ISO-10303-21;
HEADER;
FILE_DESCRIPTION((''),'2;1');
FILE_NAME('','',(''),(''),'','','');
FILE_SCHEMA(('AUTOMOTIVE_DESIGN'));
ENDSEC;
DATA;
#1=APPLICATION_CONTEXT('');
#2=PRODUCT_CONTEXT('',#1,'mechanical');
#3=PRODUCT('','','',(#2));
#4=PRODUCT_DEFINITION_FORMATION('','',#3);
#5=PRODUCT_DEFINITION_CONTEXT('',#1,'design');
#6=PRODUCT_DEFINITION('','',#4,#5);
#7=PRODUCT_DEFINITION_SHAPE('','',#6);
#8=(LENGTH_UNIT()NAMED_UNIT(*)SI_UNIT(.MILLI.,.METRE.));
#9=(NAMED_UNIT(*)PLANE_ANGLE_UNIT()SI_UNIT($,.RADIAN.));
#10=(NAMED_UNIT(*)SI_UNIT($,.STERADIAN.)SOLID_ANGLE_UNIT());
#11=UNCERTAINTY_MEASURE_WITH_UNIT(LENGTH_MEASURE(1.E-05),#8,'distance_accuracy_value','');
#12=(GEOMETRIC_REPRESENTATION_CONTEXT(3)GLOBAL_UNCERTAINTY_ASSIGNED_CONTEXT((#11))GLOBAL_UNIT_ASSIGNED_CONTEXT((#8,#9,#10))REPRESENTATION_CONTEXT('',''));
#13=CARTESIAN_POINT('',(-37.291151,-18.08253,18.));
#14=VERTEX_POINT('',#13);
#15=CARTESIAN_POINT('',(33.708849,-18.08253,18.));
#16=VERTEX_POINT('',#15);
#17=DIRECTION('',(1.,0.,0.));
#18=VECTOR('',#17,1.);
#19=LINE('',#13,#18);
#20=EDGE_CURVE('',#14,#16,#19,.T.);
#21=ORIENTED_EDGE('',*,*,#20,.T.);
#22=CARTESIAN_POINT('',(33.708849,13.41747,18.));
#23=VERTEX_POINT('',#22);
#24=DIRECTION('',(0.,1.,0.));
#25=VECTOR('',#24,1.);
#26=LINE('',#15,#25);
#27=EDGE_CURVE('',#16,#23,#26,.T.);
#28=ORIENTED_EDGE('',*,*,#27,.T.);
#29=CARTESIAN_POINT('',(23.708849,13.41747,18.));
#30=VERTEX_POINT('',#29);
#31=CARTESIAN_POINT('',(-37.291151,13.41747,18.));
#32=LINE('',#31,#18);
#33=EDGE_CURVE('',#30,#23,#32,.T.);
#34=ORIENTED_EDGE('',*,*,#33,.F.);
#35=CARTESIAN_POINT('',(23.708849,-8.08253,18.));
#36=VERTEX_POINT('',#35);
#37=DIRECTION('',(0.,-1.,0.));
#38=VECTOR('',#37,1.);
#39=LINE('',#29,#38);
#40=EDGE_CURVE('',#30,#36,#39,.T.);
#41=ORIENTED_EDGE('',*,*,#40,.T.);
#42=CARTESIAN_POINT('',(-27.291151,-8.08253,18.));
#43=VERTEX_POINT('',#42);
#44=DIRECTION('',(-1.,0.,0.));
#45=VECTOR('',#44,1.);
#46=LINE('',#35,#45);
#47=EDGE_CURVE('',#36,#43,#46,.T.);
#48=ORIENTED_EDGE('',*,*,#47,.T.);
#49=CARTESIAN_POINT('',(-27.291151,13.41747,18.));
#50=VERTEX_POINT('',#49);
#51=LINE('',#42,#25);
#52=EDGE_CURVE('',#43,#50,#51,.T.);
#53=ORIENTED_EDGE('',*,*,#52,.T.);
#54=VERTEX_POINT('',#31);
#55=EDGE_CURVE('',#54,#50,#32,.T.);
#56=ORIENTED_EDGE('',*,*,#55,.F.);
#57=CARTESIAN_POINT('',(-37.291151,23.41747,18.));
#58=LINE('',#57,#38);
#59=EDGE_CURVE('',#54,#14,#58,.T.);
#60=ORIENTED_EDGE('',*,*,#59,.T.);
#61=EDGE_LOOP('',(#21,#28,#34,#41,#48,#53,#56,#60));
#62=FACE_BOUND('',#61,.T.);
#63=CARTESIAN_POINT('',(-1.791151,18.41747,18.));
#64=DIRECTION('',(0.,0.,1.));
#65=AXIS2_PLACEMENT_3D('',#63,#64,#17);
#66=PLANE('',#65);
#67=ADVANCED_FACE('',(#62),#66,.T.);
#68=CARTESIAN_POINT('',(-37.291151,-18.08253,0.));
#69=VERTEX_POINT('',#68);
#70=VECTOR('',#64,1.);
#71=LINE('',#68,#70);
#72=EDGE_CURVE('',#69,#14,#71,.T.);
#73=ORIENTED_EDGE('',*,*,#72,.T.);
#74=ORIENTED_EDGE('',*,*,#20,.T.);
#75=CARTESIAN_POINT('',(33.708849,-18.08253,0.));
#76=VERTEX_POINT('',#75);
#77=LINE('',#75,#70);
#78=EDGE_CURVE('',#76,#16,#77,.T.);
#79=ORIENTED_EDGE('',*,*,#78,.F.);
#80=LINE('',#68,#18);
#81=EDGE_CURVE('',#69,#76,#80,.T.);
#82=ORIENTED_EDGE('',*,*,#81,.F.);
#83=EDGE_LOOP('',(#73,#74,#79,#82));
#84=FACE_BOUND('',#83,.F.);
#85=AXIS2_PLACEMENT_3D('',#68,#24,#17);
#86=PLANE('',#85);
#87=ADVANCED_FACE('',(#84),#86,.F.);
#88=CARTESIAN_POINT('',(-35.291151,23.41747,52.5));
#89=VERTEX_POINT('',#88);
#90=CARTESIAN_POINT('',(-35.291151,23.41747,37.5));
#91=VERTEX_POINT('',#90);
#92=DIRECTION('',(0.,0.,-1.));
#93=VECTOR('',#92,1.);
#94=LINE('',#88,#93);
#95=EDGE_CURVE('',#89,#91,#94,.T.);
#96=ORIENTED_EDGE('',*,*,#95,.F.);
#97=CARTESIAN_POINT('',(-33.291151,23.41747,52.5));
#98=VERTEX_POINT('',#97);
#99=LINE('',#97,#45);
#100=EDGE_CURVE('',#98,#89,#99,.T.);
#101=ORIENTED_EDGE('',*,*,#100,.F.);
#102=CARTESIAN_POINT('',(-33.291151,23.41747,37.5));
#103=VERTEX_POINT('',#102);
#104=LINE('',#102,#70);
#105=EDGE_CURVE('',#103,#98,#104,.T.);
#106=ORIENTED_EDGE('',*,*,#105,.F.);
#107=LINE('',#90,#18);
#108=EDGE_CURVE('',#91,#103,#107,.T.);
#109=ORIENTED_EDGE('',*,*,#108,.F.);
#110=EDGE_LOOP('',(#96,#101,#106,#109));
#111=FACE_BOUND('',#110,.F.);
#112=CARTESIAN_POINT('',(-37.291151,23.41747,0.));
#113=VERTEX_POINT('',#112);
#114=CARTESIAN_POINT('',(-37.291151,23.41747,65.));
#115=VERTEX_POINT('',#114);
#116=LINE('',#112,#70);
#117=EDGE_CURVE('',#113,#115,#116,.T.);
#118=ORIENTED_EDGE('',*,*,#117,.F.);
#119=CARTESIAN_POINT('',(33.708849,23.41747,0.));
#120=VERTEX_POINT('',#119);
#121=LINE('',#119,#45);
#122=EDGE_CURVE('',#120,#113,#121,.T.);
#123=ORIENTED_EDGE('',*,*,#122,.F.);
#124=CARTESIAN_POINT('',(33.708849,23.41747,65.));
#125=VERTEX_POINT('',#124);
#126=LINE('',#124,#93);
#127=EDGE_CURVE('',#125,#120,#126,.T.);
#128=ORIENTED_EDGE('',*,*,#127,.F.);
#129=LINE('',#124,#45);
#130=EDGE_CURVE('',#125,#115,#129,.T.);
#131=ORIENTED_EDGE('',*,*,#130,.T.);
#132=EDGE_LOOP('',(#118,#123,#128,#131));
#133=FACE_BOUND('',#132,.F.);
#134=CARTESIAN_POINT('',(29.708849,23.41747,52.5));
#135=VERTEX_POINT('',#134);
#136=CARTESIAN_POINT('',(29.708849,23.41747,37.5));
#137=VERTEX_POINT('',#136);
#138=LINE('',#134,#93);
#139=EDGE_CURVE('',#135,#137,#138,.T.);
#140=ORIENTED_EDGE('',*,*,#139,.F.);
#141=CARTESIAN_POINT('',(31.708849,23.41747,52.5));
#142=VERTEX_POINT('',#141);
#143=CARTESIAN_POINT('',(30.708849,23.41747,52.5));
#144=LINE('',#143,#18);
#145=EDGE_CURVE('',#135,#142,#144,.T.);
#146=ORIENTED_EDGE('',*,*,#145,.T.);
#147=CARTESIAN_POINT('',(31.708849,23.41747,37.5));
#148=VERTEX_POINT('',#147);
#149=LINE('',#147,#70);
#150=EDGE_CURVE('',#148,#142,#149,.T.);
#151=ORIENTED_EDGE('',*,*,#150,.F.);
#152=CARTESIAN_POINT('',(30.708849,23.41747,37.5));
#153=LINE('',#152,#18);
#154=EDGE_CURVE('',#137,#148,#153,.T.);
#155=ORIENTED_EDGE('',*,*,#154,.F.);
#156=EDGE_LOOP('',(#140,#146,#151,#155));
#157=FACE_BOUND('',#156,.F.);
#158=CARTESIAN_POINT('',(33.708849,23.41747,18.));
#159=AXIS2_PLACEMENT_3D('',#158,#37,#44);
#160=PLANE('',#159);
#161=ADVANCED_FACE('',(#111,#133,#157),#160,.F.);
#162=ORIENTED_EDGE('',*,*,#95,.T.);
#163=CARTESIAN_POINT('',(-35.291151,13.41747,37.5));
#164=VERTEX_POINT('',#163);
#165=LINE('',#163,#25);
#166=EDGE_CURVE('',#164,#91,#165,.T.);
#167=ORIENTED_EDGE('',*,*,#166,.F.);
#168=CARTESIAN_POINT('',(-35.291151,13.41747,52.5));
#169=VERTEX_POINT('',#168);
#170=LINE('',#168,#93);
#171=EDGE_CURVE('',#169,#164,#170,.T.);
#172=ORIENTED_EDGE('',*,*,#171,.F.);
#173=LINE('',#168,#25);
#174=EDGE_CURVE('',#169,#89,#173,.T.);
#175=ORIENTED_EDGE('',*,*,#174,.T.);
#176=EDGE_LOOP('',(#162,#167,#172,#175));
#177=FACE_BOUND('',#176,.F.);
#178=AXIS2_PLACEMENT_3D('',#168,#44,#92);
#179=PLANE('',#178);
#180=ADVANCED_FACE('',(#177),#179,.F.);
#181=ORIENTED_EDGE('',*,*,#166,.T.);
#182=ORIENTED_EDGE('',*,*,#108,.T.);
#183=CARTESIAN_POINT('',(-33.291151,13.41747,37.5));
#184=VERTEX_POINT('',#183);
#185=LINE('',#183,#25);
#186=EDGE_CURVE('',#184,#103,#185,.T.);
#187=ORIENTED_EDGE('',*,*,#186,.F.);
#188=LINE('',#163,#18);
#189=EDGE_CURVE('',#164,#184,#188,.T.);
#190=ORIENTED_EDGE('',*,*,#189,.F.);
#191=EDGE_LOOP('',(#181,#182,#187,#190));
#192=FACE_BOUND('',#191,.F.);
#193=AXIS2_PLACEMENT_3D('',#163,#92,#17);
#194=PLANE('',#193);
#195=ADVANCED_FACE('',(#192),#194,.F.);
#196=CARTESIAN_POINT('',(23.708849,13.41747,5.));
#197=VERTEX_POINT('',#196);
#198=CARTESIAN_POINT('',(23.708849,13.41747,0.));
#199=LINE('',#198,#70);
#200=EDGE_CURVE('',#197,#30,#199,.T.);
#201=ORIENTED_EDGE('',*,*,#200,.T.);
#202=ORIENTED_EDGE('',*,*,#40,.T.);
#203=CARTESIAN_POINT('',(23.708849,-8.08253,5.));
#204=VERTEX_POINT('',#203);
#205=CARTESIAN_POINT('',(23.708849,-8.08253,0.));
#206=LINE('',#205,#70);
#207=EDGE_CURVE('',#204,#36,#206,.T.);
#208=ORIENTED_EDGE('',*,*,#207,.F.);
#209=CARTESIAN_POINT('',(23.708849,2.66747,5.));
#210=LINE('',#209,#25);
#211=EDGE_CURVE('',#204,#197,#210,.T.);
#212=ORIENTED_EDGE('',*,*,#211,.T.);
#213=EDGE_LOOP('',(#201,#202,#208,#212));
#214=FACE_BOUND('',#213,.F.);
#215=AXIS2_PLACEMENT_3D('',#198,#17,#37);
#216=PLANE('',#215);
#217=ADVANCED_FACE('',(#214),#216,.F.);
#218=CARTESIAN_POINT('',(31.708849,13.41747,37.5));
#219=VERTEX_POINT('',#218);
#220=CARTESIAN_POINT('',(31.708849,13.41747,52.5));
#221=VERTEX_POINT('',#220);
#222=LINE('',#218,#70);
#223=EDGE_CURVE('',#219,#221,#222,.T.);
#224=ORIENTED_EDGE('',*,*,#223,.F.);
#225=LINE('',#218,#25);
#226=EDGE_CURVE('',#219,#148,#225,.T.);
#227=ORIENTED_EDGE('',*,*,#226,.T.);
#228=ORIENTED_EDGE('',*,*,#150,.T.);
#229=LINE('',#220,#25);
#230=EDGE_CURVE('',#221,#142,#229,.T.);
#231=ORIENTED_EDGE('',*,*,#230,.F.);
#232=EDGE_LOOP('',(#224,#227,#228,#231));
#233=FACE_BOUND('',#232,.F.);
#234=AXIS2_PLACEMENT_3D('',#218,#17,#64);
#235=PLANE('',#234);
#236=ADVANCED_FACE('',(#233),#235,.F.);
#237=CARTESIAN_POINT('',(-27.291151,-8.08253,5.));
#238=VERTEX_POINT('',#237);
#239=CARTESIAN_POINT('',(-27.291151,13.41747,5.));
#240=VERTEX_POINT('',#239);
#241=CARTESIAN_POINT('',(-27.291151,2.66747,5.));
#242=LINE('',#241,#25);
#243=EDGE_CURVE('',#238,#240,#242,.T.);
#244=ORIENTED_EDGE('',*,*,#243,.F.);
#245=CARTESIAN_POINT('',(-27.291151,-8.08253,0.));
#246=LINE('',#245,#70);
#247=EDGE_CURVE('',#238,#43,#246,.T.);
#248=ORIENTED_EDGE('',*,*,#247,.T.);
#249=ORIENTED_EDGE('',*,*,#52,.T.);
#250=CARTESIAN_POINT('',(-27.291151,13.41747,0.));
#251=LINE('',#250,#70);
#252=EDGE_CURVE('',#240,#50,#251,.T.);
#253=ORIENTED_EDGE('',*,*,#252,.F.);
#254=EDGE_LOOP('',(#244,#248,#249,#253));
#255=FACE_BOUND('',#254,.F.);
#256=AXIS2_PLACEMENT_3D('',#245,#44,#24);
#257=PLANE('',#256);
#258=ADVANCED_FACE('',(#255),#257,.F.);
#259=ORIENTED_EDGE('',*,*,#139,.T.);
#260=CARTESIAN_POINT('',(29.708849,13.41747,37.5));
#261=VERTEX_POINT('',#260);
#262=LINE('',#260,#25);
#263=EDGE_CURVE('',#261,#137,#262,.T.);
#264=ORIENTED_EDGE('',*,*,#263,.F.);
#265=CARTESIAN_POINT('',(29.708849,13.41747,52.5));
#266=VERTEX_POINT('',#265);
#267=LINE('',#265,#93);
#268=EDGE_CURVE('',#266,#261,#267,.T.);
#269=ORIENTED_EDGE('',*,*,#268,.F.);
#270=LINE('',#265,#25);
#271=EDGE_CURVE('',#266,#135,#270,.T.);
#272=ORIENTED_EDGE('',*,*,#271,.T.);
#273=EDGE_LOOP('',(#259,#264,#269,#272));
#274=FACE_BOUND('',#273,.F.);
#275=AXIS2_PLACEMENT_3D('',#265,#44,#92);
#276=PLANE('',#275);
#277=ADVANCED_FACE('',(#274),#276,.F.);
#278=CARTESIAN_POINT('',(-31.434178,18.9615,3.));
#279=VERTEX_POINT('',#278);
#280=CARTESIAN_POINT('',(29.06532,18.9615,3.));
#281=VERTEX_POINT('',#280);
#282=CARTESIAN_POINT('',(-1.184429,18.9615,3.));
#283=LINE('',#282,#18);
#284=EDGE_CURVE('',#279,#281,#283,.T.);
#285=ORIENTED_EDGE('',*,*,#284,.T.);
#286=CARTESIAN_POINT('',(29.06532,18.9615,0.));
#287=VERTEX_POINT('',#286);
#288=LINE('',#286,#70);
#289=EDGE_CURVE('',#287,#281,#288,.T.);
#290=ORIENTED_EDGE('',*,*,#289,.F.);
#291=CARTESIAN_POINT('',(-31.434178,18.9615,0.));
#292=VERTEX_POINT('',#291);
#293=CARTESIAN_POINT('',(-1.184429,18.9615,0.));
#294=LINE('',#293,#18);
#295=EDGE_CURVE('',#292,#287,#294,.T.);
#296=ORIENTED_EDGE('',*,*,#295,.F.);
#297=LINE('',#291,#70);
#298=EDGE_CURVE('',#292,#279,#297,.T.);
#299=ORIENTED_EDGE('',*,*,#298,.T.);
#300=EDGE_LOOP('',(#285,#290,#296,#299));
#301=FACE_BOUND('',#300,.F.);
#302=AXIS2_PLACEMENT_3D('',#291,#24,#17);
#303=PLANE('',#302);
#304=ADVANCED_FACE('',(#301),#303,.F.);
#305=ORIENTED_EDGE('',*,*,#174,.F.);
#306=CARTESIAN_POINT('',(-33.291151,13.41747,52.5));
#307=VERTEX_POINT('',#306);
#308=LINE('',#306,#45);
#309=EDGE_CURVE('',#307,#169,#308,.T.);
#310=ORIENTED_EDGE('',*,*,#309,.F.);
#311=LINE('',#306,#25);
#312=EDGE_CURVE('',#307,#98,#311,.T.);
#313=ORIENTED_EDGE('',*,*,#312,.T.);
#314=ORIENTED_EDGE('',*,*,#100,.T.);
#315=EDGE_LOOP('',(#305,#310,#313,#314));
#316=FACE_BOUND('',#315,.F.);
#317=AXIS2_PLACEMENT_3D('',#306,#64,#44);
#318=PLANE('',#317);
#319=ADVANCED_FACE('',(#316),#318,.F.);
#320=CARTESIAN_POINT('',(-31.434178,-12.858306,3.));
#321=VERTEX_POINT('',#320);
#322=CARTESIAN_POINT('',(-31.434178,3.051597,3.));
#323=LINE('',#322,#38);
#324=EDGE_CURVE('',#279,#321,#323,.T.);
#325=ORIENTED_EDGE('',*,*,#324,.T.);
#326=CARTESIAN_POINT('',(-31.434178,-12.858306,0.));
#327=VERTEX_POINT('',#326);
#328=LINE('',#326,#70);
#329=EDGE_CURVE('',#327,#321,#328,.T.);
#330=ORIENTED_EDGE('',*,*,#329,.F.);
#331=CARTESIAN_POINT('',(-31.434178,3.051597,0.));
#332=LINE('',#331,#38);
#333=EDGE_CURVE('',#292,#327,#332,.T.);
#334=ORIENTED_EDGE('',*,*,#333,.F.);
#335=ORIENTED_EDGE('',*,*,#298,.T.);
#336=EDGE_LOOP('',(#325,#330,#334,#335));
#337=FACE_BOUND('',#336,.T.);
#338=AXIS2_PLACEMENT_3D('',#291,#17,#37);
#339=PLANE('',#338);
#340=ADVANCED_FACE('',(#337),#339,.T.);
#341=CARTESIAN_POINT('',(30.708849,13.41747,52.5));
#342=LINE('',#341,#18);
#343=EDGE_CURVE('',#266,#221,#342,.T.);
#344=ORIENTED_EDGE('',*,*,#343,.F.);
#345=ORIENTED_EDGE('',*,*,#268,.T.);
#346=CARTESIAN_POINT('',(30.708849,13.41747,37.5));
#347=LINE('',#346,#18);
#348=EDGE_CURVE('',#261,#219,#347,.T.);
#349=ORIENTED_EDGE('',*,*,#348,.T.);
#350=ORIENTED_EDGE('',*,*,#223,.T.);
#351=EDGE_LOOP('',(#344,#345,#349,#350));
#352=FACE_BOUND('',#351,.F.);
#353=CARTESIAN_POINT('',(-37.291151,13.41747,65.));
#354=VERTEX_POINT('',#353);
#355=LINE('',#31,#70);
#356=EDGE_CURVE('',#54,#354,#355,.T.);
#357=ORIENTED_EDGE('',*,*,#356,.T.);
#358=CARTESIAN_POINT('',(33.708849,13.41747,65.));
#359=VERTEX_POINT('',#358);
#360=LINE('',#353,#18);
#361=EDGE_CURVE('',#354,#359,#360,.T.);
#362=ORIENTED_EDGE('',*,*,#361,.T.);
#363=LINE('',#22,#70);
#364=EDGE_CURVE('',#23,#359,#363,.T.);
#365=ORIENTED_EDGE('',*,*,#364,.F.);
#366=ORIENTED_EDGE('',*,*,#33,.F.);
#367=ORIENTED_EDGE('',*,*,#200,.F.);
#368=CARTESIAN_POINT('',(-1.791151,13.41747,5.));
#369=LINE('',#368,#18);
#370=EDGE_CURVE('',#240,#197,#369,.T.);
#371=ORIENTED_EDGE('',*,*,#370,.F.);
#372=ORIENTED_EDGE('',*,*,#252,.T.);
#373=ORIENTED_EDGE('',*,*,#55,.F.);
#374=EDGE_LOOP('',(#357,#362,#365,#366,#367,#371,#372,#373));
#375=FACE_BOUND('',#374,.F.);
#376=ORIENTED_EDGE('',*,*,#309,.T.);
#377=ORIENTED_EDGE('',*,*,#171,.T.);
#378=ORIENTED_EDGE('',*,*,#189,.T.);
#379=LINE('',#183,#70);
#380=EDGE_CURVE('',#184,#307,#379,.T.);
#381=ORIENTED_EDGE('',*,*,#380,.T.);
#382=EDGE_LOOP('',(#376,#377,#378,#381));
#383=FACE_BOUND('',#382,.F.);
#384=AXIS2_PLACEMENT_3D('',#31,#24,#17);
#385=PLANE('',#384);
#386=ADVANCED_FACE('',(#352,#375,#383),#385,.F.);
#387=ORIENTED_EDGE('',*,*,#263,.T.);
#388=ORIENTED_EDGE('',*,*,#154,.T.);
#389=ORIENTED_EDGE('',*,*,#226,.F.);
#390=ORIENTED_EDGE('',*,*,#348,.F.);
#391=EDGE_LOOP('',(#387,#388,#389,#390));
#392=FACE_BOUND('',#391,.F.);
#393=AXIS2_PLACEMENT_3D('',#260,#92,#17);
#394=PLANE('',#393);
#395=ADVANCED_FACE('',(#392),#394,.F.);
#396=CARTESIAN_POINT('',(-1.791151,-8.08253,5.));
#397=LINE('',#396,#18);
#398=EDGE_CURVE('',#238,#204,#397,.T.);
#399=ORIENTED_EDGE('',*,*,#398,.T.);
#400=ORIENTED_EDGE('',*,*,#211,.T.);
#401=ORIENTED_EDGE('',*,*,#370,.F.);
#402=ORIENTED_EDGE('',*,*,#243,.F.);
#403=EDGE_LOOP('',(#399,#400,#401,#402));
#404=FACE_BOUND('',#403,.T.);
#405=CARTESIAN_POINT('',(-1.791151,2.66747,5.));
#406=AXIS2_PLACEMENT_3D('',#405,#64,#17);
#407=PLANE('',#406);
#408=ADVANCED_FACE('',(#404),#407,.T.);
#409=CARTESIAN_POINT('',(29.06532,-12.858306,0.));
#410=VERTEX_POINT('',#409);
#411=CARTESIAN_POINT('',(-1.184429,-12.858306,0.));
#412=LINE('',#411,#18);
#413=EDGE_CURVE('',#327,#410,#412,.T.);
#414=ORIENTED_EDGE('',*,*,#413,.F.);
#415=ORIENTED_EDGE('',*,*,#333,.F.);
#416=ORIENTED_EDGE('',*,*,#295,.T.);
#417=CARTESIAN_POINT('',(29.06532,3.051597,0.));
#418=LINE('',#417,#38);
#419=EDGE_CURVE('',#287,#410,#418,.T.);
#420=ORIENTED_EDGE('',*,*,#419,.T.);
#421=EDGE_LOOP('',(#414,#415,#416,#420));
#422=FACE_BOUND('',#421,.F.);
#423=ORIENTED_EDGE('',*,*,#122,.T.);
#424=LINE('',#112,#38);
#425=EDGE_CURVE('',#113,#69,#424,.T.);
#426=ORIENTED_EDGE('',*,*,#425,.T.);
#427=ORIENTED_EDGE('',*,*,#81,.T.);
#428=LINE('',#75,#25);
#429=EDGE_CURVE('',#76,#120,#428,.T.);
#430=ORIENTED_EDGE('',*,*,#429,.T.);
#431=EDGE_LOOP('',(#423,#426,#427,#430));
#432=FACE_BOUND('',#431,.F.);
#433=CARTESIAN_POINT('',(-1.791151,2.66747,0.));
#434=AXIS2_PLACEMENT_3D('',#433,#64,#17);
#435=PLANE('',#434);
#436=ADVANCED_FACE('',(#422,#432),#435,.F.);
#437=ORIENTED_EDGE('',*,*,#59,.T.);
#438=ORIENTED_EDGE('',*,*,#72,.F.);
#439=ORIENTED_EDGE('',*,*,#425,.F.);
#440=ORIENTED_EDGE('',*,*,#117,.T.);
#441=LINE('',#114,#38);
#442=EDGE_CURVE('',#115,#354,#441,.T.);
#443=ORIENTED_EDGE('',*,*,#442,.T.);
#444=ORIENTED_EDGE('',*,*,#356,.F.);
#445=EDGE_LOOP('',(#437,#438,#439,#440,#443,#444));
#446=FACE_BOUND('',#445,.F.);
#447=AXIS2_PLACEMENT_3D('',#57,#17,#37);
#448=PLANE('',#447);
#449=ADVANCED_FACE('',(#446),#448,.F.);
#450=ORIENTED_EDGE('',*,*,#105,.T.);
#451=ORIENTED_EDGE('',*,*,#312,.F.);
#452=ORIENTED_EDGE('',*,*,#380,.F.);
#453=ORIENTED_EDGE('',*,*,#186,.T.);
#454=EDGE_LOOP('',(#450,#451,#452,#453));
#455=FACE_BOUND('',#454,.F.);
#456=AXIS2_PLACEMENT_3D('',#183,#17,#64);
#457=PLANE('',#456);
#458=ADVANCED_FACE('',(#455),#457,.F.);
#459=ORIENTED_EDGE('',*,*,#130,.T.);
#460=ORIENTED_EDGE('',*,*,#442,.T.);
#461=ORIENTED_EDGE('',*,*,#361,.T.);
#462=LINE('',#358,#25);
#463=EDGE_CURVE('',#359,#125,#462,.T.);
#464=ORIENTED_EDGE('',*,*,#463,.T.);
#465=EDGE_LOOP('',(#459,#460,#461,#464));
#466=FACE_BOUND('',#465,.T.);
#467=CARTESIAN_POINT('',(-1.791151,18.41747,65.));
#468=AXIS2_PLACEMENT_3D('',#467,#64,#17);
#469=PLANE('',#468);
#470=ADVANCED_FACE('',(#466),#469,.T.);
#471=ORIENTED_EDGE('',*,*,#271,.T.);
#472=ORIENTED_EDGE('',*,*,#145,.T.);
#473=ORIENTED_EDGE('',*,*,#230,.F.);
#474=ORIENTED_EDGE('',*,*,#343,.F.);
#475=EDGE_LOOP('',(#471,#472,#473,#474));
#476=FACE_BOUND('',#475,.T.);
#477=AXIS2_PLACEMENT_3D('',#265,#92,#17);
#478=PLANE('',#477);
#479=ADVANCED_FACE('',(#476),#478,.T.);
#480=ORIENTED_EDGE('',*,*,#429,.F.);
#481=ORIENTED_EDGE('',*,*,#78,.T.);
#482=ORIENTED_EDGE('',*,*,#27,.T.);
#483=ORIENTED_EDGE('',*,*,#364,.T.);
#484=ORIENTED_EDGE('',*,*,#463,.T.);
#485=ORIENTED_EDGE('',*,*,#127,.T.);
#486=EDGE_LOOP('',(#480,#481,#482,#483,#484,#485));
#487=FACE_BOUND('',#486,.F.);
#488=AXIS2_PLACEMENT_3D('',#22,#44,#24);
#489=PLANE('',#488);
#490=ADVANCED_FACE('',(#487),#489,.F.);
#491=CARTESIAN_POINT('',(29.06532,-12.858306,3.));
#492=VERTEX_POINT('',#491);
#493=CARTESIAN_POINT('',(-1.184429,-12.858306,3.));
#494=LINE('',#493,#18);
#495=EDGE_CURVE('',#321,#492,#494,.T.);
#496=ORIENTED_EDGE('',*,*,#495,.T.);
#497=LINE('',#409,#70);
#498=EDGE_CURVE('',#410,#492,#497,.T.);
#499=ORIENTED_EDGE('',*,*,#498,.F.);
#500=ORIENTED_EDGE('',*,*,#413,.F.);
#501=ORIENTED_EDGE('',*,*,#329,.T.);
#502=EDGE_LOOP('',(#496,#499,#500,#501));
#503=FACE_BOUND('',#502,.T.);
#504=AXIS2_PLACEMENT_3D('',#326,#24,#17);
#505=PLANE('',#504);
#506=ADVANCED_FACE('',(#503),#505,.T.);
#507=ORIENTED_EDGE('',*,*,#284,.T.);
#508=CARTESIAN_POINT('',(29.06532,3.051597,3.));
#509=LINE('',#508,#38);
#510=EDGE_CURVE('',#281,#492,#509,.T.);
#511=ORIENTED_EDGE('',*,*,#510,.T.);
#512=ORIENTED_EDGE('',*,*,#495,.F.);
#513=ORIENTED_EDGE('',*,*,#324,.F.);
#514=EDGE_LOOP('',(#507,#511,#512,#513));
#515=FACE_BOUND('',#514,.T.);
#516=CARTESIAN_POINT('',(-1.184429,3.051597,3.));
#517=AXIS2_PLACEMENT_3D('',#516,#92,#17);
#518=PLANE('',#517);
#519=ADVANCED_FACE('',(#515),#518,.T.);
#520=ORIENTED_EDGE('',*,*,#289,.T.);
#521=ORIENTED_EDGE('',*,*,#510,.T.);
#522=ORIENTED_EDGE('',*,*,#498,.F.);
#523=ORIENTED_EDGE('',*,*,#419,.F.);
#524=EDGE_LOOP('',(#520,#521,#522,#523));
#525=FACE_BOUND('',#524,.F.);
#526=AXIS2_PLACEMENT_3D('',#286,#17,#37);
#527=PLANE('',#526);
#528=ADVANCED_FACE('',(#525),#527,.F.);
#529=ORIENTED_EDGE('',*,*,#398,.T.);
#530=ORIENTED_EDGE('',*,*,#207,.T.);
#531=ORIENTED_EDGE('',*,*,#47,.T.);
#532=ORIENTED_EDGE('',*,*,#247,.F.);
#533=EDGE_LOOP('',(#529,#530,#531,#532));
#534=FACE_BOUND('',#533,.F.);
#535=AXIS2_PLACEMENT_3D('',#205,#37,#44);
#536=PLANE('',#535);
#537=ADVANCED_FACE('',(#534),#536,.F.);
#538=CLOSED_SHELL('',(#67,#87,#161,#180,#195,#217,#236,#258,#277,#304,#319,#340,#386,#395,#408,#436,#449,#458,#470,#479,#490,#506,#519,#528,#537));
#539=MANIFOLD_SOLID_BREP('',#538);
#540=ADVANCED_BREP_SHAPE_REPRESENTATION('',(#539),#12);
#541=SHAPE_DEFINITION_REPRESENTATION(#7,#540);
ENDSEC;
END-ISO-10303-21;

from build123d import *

# Parameters (mm, degrees)
F1_DEPTH = 18
F0_W     = 51
F0_H     = 21.5
F2_DEPTH = 5
F4_DEPTH = 47
F5_W     = 2
F5_H     = 12.5
F5_H_2   = 2.5
F6_DEPTH = 10
F7_W     = 60.499498
F7_H     = 31.819807
F8_DEPTH = 3


with BuildPart() as f1:
    # F0 (on Top) → F1 (new body)
    with BuildSketch(Plane.XY):
        Polygon((-37.291151, 13.41747), (-27.291151, 13.41747), (23.708849, 13.41747), (33.708849, 13.41747), (33.708849, 23.41747), (23.708849, 23.41747), (-27.291151, 23.41747), (-37.291151, 23.41747), align=None)
        Polygon((-27.291151, -8.08253), (-27.291151, 13.41747), (-37.291151, 13.41747), (-37.291151, -8.08253), (-37.291151, -18.08253), (-27.291151, -18.08253), (23.708849, -18.08253), (33.708849, -18.08253), (33.708849, -8.08253), (33.708849, 13.41747), (23.708849, 13.41747), (23.708849, -8.08253), align=None)
    extrude(amount=F1_DEPTH)

    # F0 (on Top) → F2 (join)
    with BuildSketch(Plane.XY):
        with Locations((-1.791151, 2.66747)):
            Rectangle(F0_W, F0_H)
    extrude(amount=F2_DEPTH)

    # F3 (on face) → F4 (join)
    with BuildSketch(Plane.XY.offset(18)):
        Polygon((33.708849, 23.41747), (-37.291151, 23.41747), (-37.291151, 13.41747), (-27.291151, 13.41747), (23.708849, 13.41747), (33.708849, 13.41747), align=None)
    extrude(amount=F4_DEPTH)

    # F5 (on face) → F6 (cut)
    with BuildSketch(Plane.XZ.offset(-13.41747)):
        Polygon((-33.291151, 37.5), (-33.291151, 50), (-33.291151, 52.5), (-35.291151, 52.5), (-35.291151, 37.5), align=None)
        with Locations((30.708849, 43.75)):
            Rectangle(F5_W, F5_H)
        with Locations((30.708849, 51.25)):
            Rectangle(F5_W, F5_H_2)
    extrude(amount=-F6_DEPTH, mode=Mode.SUBTRACT)

    # F7 (on face) → F8 (cut)
    with BuildSketch(Plane(origin=(0, 0, 0), x_dir=(1, 0, 0), z_dir=(0, 0, -1))):
        with Locations((-1.184429, -3.051597)):
            Rectangle(F7_W, F7_H)
    extrude(amount=-F8_DEPTH, mode=Mode.SUBTRACT)


solid = f1.part
